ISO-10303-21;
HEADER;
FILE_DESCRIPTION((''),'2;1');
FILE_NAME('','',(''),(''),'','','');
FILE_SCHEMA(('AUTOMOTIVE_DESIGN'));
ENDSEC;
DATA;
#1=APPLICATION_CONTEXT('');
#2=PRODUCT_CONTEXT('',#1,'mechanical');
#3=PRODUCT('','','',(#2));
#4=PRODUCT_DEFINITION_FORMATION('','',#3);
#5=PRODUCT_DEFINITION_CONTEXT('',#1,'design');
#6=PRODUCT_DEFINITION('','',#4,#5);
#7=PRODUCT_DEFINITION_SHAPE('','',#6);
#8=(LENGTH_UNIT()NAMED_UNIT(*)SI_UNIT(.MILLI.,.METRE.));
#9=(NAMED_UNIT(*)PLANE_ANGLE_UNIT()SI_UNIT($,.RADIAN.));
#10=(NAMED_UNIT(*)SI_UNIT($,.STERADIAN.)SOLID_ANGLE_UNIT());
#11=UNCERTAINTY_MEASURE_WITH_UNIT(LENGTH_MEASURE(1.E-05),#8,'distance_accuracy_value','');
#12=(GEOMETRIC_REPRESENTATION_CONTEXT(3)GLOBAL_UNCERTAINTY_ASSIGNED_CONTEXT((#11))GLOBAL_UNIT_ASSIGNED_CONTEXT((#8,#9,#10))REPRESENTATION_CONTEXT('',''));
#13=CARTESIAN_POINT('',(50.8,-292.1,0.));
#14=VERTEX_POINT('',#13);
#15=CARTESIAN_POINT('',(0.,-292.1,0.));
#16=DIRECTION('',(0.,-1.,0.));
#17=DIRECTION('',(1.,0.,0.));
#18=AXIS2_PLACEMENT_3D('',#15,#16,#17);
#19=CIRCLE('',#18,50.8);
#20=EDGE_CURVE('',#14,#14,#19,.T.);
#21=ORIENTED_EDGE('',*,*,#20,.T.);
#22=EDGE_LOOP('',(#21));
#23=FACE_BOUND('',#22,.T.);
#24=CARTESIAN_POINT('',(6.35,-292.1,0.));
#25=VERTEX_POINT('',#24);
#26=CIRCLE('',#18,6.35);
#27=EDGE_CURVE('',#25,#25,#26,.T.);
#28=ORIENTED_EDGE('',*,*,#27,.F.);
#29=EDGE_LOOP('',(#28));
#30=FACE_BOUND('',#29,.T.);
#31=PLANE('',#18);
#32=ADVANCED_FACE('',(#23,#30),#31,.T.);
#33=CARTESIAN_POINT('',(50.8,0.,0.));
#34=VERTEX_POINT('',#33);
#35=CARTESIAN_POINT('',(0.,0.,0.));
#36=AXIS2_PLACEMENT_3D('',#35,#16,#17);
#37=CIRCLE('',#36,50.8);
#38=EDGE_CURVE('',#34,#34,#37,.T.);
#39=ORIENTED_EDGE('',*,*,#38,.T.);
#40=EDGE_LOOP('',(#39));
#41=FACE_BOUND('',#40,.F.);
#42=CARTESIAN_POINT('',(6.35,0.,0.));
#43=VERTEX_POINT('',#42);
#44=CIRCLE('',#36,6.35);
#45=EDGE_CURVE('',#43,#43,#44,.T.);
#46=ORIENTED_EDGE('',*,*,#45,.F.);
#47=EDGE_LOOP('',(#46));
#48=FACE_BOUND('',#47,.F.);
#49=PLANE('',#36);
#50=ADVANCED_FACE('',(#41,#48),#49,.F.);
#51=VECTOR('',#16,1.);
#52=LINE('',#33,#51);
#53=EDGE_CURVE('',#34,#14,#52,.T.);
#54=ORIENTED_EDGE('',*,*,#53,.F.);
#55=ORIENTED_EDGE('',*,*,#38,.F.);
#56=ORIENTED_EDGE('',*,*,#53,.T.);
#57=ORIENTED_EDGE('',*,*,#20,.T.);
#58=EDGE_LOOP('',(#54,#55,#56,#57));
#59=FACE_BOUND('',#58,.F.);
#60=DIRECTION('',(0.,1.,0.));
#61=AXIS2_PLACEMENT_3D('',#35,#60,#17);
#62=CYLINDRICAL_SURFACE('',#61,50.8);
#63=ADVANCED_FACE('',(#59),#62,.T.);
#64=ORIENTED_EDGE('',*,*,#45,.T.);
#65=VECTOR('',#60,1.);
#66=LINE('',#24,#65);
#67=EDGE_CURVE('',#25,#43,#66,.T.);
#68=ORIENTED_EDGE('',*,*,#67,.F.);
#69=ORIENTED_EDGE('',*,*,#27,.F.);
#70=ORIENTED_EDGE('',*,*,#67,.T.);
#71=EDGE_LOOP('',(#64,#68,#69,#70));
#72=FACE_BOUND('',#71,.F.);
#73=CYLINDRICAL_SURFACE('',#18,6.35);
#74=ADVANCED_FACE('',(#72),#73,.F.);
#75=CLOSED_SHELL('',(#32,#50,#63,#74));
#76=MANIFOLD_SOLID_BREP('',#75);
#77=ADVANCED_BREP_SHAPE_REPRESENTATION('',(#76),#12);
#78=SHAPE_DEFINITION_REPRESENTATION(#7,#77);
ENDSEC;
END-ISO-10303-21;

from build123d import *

# Parameters (mm, degrees)
F0_R     = 50.8
F1_DEPTH = 292.1
F2_R     = 6.35
F3_DEPTH = 292.1


with BuildPart() as f1:
    # F0 (on Front) → F1 (new body)
    with BuildSketch(Plane.XZ):
        Circle(F0_R)
    extrude(amount=F1_DEPTH)

    # F2 (on face) → F3 (cut)
    with BuildSketch(Plane.XZ.offset(292.1)):
        Circle(F2_R)
    extrude(amount=-F3_DEPTH, mode=Mode.SUBTRACT)


solid = f1.part
